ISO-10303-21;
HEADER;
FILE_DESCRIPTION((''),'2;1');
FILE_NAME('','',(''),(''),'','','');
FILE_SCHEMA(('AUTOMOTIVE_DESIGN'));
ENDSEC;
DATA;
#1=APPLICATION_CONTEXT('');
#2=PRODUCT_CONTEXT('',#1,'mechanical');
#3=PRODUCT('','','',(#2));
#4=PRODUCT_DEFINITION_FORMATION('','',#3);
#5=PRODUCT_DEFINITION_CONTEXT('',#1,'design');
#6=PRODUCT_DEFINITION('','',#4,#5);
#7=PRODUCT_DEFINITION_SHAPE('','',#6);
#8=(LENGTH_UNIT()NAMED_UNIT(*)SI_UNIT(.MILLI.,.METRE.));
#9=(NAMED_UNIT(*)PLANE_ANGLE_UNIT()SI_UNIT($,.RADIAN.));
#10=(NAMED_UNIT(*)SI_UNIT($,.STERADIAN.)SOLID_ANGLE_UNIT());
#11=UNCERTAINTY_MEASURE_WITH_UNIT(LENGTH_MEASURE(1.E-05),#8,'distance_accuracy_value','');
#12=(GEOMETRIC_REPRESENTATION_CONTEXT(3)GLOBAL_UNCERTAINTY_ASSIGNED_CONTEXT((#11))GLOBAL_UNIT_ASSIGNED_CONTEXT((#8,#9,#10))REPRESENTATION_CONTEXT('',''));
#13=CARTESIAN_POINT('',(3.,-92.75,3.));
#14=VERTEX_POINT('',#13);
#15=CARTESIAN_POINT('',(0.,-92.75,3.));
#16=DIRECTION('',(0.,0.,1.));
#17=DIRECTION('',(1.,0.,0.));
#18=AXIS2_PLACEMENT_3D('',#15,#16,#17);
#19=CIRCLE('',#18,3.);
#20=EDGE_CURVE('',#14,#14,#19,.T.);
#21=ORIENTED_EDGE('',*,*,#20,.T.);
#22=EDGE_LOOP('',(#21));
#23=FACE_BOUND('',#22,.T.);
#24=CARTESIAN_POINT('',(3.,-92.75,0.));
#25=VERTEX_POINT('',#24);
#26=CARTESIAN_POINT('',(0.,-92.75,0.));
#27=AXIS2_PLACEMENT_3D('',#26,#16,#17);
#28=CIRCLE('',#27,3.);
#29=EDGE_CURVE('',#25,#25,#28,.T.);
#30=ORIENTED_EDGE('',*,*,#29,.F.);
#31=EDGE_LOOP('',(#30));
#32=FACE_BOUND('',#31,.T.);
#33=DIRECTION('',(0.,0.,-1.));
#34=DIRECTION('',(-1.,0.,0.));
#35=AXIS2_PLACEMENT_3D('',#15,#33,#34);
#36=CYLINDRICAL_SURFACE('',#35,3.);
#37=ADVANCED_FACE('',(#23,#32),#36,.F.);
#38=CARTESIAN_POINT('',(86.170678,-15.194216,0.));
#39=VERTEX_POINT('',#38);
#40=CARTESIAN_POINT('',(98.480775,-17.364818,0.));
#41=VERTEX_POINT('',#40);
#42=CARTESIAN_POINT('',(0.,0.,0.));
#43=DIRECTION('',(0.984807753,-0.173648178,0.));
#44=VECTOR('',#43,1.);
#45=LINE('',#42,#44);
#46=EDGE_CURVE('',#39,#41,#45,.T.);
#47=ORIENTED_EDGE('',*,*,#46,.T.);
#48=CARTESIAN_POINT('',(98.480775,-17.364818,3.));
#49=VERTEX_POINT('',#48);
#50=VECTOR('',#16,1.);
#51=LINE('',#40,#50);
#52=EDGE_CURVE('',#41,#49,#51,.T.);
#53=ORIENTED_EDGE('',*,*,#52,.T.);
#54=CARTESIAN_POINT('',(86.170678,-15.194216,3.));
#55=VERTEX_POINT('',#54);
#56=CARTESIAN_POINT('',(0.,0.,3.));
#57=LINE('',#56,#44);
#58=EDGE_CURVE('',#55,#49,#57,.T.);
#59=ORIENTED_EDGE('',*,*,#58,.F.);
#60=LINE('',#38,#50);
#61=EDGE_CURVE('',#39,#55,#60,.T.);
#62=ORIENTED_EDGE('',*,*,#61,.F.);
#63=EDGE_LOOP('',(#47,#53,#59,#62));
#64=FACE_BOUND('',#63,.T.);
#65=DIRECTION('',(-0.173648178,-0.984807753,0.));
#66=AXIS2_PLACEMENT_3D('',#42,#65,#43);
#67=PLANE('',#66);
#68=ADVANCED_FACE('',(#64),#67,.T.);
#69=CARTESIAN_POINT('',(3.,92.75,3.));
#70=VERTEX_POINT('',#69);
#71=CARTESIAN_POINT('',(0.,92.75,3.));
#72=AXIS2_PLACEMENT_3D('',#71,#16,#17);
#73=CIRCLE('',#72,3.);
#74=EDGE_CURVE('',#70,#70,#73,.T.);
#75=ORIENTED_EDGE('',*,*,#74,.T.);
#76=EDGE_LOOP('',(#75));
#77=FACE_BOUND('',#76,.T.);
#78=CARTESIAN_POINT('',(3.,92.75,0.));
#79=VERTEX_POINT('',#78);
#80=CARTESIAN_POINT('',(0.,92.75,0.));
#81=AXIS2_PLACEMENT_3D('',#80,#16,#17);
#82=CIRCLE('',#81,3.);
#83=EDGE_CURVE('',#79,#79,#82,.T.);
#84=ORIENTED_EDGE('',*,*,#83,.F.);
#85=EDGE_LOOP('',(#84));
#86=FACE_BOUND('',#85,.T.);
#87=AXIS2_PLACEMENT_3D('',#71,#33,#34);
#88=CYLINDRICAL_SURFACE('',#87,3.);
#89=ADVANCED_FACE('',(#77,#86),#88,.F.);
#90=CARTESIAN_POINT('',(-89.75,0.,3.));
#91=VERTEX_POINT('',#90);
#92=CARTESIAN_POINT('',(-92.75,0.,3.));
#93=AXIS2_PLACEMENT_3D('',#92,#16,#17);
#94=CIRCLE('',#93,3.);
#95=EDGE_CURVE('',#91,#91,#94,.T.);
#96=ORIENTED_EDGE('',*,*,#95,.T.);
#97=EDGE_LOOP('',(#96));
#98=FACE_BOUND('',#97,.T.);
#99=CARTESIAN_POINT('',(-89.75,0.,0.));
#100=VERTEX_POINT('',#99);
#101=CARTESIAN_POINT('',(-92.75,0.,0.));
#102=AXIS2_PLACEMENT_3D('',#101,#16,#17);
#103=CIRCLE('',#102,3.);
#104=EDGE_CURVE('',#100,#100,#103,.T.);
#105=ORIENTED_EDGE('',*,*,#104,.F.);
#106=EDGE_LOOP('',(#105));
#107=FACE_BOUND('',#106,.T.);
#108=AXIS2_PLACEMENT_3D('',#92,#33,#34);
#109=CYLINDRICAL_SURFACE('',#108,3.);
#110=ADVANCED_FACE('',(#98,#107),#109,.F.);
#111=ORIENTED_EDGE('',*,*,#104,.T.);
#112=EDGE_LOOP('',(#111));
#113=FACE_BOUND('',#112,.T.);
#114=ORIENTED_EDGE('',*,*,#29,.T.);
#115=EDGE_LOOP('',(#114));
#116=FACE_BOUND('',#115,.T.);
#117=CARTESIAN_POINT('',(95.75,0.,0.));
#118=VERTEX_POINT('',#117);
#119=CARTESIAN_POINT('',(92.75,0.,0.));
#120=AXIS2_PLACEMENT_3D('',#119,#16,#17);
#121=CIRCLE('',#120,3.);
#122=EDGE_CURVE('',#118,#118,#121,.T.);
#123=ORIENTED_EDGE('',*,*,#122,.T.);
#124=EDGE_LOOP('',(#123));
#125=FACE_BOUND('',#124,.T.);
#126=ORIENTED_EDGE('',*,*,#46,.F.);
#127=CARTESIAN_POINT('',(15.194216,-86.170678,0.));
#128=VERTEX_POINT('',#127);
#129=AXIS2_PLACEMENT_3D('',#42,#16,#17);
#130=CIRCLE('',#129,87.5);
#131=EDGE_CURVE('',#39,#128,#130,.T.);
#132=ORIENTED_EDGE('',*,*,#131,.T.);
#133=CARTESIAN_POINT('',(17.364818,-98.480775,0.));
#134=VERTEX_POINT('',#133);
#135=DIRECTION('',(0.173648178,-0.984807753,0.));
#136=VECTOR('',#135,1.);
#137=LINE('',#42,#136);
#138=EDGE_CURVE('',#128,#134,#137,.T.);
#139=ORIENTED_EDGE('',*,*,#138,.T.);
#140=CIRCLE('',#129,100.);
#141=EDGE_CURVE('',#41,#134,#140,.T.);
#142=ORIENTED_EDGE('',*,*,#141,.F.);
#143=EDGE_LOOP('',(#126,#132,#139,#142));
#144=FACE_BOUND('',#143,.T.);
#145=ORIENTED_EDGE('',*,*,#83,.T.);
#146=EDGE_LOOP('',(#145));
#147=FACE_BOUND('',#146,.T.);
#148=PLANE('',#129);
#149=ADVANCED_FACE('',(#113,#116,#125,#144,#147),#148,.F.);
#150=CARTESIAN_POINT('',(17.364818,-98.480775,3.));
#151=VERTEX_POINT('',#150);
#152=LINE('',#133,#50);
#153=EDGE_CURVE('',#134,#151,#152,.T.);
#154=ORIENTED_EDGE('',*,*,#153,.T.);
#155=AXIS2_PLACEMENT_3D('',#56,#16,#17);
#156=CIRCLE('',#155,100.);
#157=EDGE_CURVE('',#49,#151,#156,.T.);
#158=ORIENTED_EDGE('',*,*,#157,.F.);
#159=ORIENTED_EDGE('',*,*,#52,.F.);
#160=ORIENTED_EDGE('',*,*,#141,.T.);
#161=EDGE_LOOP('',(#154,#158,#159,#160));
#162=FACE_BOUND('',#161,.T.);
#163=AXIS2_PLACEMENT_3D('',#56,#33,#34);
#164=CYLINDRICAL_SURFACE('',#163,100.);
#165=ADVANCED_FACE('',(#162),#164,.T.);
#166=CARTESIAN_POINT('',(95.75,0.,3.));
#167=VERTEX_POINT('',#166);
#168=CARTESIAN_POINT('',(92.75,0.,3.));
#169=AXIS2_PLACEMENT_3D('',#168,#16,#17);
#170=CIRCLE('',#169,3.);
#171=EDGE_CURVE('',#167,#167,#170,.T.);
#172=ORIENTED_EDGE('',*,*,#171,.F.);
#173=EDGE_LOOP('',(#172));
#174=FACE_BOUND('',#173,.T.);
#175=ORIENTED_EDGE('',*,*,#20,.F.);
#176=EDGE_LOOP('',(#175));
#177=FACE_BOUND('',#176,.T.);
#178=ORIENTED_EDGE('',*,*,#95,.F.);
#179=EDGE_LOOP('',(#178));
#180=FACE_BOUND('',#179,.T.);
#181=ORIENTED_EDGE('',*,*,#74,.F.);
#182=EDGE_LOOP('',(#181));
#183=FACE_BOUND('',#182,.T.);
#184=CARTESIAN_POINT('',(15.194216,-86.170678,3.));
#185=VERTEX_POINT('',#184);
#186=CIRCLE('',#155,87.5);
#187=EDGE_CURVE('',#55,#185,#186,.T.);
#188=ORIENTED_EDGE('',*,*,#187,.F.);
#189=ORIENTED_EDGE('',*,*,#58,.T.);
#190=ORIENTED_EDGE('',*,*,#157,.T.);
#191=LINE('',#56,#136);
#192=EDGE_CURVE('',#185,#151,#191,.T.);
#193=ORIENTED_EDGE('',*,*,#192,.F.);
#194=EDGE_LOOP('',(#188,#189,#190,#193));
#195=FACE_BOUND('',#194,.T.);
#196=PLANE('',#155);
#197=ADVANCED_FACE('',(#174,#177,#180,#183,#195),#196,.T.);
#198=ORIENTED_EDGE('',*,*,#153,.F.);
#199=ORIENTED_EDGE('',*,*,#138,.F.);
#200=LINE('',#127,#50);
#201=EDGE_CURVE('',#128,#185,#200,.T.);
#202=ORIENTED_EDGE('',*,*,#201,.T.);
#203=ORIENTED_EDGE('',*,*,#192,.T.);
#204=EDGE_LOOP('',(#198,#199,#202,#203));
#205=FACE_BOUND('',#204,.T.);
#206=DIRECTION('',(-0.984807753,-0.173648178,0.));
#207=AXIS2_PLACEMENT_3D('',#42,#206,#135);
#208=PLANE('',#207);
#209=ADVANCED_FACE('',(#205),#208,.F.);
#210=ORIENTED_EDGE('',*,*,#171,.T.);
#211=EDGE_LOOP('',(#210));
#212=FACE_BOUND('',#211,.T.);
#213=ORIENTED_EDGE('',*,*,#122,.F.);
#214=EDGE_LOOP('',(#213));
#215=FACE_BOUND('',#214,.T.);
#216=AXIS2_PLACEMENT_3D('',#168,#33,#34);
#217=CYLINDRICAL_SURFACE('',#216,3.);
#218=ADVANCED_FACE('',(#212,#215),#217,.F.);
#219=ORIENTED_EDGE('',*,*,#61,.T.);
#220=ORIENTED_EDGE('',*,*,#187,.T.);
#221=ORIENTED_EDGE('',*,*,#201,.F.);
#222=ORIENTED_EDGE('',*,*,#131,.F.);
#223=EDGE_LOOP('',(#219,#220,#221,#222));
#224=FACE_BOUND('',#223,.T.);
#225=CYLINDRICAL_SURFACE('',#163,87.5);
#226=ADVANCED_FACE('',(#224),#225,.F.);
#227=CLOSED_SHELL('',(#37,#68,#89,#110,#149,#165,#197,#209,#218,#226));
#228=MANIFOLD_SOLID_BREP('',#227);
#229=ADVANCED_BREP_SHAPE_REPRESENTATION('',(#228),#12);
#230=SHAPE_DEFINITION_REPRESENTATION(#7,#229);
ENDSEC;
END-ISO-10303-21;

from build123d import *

# Parameters (mm, degrees)
SKETCH_1_R          = 100
SKETCH_1_R_2        = 87.5
SKETCH_1_R_3        = 3
EXTRUDE_1_DEPTH     = 3
CUT_EXTRUDE_1_DEPTH = 142.453172464


with BuildPart() as part:
    # 草图1 → 凸台-拉伸1 (new body)
    with BuildSketch(Plane.XY):
        Circle(SKETCH_1_R)
        Circle(SKETCH_1_R_2, mode=Mode.SUBTRACT)
        with Locations((0, 92.75)):
            Circle(SKETCH_1_R_3, mode=Mode.SUBTRACT)
        with Locations((92.75, 0)):
            Circle(SKETCH_1_R_3, mode=Mode.SUBTRACT)
        with Locations((0, -92.75)):
            Circle(SKETCH_1_R_3, mode=Mode.SUBTRACT)
        with Locations((-92.75, 0)):
            Circle(SKETCH_1_R_3, mode=Mode.SUBTRACT)
    extrude(amount=EXTRUDE_1_DEPTH)

    # 草图2 → 切除-拉伸1 (cut, through all)
    with BuildSketch(Plane.XY.offset(3)):
        with BuildLine():
            ThreePointArc((86.170678389, -15.194215546), (61.871843354, -61.871843354), (15.194215546, -86.170678389))
            Line((15.194215546, -86.170678389), (17.364817767, -98.480775301))
            ThreePointArc((17.364817767, -98.480775301), (70.710678119, -70.710678119), (98.480775301, -17.364817767))
            Line((98.480775301, -17.364817767), (86.170678389, -15.194215546))
        make_face()
    extrude(amount=-CUT_EXTRUDE_1_DEPTH, mode=Mode.SUBTRACT)


solid = part.part
